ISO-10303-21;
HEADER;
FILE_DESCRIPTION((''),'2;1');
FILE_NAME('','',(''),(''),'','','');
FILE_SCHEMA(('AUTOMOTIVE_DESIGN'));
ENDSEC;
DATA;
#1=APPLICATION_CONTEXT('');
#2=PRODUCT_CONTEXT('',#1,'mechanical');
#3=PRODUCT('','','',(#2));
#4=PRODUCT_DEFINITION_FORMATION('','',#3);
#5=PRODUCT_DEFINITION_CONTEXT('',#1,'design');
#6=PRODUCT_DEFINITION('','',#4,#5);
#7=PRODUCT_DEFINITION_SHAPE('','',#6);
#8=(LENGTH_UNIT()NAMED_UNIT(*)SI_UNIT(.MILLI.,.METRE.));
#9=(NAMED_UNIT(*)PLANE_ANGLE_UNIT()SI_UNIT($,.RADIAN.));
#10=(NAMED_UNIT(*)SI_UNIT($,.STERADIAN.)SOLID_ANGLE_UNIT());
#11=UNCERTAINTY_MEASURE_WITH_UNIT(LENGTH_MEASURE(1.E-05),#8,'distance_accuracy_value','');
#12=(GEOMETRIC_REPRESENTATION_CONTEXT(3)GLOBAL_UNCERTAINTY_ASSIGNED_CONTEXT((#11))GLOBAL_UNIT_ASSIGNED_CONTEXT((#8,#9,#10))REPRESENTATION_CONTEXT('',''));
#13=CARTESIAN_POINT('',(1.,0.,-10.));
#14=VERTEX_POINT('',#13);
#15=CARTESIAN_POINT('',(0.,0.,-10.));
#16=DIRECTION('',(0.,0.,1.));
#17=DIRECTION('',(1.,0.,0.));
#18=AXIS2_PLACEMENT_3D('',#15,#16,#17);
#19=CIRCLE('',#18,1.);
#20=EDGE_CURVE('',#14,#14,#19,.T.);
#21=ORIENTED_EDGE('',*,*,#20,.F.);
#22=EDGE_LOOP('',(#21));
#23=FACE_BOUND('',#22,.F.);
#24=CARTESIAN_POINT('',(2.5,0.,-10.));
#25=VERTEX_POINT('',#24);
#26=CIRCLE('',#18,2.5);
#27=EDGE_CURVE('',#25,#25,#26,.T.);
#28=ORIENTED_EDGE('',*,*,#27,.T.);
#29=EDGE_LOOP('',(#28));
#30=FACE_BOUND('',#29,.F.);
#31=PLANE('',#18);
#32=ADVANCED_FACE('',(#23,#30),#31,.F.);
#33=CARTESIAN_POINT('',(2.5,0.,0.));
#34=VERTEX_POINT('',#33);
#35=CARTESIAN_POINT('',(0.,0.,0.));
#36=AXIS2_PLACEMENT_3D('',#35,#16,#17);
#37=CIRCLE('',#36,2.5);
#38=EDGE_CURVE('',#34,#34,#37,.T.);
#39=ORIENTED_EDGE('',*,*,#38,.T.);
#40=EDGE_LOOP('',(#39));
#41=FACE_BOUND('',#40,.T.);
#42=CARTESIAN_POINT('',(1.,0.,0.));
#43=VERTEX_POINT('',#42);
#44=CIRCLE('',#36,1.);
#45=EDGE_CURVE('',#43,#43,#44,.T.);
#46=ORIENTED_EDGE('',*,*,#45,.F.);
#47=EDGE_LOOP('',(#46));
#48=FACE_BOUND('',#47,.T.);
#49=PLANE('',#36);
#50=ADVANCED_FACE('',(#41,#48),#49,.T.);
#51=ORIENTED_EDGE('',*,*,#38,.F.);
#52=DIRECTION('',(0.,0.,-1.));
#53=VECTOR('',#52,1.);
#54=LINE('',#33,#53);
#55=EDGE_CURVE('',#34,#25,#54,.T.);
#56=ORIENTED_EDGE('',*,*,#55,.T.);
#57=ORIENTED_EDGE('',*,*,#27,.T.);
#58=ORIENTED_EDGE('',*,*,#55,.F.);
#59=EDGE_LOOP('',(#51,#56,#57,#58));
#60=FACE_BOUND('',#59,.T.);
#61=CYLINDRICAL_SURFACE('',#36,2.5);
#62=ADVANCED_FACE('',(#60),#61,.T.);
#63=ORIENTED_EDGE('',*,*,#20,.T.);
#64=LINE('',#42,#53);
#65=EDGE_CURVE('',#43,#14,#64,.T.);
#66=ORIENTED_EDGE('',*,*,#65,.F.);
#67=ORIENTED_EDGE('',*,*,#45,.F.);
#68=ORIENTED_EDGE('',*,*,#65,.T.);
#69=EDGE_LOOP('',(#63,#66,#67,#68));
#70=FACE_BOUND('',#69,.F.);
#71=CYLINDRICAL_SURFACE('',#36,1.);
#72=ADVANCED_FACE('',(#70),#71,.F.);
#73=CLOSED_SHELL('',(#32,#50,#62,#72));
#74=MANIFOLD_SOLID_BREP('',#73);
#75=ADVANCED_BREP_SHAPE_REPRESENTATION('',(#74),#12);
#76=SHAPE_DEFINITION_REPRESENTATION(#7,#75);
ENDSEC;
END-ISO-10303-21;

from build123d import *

# Parameters (mm, degrees)
SKIZZE1_R                       = 2.5
SKIZZE1_R_2                     = 1
AUFSATZ_LINEAR_AUSTRAGEN1_DEPTH = 10


with BuildPart() as part:
    # Skizze1 → Aufsatz-Linear austragen1 (new body)
    with BuildSketch(Plane.XY):
        Circle(SKIZZE1_R)
        Circle(SKIZZE1_R_2, mode=Mode.SUBTRACT)
    extrude(amount=-AUFSATZ_LINEAR_AUSTRAGEN1_DEPTH)


solid = part.part
